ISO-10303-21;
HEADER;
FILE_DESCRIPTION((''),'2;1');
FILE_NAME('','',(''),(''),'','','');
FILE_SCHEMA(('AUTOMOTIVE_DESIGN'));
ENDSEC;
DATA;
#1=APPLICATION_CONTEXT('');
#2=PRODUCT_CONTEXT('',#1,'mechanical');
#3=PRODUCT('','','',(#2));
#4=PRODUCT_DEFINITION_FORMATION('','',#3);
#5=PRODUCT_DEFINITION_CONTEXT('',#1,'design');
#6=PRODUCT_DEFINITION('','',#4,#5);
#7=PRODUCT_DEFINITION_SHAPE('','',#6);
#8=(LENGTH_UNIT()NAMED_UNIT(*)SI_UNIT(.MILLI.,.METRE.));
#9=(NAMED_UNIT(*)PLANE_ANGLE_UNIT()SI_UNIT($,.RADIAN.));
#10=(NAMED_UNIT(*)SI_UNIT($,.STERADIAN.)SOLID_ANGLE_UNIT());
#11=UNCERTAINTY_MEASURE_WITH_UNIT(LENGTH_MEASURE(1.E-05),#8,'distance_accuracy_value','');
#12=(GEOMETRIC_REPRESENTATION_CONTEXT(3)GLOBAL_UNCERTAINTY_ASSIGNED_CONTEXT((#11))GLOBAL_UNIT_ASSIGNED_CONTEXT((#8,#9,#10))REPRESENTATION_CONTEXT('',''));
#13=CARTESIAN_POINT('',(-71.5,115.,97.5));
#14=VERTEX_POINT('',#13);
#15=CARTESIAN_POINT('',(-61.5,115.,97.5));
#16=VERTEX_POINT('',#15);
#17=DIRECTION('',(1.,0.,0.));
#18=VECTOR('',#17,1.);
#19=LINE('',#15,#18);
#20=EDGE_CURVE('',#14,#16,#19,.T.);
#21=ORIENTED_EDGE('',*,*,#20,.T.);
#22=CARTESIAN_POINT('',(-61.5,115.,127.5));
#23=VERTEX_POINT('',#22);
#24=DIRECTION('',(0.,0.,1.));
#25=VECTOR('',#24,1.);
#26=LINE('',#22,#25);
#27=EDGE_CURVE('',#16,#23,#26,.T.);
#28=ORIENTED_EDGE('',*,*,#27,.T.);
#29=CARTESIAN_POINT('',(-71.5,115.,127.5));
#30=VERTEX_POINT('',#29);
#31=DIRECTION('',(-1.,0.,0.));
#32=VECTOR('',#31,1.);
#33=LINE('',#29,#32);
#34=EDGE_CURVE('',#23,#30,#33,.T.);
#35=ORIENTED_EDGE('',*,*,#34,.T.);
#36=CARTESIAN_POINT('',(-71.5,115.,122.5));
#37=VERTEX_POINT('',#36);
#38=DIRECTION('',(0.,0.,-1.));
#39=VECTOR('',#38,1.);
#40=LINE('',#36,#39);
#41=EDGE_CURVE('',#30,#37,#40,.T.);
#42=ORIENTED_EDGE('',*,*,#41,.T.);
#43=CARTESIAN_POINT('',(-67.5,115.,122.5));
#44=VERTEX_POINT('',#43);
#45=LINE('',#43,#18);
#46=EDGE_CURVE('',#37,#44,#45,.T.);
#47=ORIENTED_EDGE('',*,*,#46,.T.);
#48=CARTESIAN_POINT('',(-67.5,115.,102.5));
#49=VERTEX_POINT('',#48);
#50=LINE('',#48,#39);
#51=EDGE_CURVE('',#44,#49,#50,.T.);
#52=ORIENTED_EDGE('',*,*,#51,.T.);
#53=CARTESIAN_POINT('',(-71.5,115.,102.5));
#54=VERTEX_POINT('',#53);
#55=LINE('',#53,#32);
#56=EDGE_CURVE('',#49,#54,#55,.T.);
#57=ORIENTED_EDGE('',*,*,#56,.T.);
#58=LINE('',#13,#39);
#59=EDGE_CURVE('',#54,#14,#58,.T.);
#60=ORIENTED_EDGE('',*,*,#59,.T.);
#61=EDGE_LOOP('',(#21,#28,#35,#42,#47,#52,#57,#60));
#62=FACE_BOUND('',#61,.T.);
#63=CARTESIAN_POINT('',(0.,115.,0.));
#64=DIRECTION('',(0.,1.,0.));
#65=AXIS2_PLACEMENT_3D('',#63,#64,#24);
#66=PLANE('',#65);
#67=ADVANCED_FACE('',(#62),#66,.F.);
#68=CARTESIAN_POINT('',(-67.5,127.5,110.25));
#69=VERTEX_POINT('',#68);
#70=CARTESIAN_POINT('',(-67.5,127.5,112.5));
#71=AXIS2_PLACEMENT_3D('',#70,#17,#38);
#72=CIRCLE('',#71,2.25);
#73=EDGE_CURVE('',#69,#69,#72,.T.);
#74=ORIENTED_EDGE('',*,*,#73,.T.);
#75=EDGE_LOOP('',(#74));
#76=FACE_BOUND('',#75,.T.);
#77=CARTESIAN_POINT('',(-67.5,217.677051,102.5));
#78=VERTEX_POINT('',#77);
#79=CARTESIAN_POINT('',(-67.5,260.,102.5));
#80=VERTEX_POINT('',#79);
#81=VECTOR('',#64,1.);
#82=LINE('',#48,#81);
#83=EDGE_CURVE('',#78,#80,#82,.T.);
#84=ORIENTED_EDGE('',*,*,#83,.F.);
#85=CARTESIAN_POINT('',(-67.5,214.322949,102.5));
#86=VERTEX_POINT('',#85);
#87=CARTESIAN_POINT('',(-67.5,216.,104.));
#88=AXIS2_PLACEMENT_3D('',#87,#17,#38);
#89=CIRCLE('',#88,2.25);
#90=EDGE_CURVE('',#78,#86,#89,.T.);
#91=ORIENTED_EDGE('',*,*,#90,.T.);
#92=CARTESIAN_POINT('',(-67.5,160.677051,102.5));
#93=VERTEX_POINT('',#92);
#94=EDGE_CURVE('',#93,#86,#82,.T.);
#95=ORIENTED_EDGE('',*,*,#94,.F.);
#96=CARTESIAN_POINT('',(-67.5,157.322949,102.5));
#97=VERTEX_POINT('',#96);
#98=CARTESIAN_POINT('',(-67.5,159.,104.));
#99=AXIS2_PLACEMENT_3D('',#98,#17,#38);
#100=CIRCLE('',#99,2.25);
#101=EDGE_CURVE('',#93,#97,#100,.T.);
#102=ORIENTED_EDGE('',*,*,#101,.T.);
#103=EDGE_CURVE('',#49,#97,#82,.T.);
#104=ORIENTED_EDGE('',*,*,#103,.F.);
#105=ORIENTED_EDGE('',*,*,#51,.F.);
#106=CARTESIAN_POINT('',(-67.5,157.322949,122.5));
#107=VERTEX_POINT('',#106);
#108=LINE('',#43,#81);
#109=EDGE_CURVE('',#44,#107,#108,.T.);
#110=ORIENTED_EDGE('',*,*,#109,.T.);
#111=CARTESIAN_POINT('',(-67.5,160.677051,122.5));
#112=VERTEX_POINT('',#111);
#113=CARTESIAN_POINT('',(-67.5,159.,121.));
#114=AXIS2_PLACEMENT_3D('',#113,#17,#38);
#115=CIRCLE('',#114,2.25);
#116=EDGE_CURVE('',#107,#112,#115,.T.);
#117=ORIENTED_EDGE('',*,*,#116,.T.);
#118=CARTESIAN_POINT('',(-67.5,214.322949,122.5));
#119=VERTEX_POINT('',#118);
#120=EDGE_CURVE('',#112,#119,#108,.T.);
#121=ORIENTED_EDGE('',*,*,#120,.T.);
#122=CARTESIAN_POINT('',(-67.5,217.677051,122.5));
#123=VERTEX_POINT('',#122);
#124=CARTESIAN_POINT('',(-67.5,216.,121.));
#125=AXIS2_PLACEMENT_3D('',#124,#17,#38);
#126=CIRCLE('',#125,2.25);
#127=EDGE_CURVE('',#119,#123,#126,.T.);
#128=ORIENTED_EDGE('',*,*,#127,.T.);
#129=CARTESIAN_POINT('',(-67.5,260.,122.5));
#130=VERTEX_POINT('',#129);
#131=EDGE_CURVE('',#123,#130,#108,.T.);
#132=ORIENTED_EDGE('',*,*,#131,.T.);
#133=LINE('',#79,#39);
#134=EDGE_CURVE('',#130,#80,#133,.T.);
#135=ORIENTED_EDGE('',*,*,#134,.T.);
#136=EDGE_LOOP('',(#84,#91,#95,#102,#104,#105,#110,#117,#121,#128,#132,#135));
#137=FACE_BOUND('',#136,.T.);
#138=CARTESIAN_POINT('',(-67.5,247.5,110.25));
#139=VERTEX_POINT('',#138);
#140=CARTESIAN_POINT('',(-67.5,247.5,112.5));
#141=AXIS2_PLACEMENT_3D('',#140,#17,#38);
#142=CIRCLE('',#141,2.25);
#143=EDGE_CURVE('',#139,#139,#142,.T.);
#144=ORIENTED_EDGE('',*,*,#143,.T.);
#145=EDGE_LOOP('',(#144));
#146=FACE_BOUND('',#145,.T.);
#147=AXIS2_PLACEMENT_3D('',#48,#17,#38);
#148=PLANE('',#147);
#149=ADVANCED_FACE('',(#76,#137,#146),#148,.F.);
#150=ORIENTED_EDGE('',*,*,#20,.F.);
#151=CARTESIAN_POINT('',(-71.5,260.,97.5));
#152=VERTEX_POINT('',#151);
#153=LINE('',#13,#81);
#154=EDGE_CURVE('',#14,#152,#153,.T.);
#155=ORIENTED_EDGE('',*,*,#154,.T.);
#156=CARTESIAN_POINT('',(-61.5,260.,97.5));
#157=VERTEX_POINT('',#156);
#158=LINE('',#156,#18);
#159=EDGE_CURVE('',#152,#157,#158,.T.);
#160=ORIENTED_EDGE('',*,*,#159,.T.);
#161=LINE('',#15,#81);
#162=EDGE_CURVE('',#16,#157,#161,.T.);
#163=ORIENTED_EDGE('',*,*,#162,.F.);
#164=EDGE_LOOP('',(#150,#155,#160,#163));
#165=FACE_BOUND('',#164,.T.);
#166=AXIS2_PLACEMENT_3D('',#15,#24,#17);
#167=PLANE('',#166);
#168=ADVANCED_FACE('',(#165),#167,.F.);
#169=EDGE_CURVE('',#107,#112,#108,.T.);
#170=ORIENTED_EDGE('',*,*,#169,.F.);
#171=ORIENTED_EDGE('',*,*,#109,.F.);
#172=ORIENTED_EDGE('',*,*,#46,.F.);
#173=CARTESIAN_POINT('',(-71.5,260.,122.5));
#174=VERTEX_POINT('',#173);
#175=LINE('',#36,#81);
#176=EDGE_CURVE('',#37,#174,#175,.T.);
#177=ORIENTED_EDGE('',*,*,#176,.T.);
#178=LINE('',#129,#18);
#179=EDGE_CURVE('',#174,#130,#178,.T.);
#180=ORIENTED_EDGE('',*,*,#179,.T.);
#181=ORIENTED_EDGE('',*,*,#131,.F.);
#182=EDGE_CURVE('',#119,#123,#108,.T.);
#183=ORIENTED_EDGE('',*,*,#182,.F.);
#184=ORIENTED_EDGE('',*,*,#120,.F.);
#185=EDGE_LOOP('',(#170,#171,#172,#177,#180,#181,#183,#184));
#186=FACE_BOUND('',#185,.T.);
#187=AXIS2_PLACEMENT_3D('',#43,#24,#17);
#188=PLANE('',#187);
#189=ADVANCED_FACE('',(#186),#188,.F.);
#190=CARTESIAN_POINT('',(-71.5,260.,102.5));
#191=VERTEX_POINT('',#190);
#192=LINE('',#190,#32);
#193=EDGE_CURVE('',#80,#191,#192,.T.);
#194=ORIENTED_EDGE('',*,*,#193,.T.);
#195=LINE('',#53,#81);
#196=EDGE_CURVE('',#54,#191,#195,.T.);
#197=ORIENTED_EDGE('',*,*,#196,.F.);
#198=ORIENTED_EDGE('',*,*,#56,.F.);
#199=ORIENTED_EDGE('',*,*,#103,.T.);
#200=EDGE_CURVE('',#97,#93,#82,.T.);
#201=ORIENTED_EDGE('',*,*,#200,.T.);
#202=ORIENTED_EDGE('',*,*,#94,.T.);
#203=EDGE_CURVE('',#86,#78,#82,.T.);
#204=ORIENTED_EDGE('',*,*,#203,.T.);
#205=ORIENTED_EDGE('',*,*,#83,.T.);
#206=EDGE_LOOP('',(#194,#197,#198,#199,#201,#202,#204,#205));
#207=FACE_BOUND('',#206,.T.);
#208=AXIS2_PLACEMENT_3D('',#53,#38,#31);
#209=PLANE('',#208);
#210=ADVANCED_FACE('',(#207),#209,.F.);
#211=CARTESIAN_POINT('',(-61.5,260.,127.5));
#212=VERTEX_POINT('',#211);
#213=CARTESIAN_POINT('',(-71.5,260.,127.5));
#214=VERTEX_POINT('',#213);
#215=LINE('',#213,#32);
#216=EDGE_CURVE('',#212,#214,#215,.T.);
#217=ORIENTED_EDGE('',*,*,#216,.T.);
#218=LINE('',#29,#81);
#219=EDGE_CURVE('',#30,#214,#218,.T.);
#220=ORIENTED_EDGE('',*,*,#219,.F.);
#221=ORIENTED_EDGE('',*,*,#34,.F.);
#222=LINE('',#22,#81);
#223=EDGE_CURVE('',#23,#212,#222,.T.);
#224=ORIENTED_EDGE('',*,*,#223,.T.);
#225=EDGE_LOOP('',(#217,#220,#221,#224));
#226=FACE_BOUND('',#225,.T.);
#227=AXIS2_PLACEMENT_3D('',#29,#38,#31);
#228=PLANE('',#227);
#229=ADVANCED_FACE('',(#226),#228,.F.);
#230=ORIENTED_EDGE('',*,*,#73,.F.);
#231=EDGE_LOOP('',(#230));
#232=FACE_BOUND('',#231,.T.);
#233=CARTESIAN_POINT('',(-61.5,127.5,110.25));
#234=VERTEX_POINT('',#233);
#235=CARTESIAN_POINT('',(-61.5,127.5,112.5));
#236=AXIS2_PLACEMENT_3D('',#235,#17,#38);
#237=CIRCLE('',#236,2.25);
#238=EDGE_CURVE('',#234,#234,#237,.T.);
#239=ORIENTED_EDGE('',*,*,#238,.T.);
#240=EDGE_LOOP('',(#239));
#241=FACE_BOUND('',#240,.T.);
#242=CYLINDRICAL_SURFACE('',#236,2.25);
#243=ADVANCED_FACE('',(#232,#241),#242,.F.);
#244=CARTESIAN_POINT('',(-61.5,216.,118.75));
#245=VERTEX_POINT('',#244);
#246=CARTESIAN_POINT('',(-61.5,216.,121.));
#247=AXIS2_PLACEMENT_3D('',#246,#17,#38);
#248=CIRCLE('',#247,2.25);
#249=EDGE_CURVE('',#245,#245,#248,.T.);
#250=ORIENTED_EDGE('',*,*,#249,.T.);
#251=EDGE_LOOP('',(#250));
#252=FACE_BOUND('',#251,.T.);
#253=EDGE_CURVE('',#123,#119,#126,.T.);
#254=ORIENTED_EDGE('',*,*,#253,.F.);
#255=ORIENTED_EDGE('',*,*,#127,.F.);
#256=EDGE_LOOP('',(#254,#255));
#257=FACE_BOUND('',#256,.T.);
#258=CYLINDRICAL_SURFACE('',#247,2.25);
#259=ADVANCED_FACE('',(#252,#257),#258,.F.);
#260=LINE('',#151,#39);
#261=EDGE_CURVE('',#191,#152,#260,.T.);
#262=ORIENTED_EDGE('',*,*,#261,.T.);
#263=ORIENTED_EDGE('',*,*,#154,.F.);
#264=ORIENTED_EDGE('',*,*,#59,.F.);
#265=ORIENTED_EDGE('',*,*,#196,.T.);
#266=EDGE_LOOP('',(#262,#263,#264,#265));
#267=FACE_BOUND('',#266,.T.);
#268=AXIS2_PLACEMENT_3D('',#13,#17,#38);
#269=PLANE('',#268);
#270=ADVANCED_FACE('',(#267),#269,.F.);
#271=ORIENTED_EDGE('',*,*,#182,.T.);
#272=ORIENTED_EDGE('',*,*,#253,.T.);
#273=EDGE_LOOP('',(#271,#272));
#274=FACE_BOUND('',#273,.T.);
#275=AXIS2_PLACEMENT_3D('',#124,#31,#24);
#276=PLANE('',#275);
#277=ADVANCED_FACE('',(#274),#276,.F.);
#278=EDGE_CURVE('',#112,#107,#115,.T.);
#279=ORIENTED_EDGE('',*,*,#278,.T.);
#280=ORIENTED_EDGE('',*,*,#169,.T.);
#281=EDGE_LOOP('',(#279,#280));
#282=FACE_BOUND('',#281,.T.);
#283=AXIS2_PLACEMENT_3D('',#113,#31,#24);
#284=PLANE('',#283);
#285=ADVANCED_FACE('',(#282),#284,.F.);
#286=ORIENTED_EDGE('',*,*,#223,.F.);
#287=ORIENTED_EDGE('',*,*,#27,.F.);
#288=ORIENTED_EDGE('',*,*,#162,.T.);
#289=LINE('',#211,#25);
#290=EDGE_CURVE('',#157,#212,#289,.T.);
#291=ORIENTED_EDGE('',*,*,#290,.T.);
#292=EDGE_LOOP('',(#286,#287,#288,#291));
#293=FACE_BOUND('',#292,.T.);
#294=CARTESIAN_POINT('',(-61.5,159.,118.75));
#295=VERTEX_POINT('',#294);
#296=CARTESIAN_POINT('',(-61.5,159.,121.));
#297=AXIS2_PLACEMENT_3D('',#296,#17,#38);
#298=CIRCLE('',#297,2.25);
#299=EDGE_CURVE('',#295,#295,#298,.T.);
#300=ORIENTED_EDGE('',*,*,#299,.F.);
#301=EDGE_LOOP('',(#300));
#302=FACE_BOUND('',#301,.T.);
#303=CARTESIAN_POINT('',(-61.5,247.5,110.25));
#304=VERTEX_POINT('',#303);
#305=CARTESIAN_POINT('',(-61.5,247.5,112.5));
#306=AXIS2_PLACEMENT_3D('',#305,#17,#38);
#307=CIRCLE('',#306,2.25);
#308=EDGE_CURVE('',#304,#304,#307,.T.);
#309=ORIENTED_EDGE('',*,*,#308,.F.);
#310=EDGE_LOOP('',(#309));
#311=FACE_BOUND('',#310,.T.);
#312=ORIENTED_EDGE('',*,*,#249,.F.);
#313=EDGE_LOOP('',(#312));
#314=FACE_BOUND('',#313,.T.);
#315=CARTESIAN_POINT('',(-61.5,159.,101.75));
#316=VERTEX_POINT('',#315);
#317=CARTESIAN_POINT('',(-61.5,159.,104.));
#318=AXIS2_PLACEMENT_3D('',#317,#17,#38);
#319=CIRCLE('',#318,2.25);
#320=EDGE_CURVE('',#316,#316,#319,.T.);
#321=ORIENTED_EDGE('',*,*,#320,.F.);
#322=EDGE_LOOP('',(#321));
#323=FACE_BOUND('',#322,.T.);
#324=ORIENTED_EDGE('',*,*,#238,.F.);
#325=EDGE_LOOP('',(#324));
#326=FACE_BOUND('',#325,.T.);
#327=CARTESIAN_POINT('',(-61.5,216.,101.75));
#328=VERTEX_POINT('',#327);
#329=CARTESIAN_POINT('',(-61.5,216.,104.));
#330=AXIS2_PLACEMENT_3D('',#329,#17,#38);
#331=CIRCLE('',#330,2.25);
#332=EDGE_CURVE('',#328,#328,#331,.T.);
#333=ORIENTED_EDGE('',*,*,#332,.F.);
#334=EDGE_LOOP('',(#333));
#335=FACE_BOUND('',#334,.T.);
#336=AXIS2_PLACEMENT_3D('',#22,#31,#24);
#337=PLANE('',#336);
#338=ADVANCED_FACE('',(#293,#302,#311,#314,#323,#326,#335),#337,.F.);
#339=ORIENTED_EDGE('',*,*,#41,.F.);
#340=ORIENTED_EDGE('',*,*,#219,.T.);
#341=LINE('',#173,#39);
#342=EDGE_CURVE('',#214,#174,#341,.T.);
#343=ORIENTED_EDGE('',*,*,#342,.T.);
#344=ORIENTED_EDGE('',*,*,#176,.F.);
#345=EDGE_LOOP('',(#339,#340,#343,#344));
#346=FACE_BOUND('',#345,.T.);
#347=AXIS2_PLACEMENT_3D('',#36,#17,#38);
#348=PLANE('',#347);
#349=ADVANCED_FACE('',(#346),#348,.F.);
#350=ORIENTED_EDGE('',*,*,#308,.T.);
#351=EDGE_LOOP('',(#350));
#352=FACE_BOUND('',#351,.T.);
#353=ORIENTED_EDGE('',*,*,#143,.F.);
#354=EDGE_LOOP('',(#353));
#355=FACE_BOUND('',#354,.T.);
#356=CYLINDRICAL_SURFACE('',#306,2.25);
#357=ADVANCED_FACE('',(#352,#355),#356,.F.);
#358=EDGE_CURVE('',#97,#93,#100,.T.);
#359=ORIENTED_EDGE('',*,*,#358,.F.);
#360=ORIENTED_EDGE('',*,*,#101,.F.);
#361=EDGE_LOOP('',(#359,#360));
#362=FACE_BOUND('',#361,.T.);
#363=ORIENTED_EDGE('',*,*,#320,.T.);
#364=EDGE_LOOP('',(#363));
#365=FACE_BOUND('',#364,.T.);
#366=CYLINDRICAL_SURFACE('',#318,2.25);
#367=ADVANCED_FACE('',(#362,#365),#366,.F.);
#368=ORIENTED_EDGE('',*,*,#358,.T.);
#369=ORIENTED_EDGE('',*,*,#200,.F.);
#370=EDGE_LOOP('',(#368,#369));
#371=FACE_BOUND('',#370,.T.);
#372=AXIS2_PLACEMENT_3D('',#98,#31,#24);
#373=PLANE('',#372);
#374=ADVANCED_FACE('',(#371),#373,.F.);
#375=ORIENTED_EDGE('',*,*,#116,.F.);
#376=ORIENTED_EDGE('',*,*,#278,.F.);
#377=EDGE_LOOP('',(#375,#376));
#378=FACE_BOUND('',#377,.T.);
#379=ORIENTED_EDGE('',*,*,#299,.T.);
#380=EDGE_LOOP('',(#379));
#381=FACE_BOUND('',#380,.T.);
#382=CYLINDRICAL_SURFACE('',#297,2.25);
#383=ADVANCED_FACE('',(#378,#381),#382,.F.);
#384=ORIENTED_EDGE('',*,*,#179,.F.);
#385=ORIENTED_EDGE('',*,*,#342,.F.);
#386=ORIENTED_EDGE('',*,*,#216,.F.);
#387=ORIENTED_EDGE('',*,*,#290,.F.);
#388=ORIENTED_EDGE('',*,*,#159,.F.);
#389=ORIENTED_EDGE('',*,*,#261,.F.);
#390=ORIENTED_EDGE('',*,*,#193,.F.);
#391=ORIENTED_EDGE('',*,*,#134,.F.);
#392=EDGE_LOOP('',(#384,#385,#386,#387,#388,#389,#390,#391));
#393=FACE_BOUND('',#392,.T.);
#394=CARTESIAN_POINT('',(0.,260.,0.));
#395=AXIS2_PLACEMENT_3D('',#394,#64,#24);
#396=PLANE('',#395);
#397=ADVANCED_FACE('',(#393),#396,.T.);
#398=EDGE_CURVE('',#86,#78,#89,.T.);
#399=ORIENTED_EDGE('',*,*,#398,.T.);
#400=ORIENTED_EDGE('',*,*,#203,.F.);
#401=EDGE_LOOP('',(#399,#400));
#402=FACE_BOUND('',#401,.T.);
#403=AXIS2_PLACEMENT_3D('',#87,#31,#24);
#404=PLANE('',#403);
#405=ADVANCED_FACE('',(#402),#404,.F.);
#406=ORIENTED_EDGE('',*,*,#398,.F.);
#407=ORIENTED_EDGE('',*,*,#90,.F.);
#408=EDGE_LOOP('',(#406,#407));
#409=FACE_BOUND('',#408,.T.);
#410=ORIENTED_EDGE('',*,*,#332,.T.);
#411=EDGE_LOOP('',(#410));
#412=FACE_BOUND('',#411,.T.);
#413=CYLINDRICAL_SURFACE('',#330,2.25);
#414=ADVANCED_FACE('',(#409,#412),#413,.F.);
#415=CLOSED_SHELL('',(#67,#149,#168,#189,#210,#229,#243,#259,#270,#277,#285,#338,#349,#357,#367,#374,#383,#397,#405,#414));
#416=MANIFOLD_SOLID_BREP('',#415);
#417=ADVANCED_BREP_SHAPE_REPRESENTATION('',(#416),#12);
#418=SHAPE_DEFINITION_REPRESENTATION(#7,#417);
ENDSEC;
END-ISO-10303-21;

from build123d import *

# Parameters (mm, degrees)
BOSS_EXTRUDE1_DEPTH  = 145
M4_CLEARANCE_HOLE1_D = 4.5
HOLE1_D              = 4.5
HOLE1_DEPTH          = 6


with BuildPart() as part:
    # Sketch1 → Boss-Extrude1 (new body)
    with BuildSketch(Plane(origin=(0, 260, 0), x_dir=(-1, 0, 0), z_dir=(0, -1, 0))):
        Polygon((71.5, -127.5), (61.5, -127.5), (61.5, -97.5), (71.5, -97.5), (71.5, -102.5), (67.5, -102.5), (67.5, -122.5), (71.5, -122.5), align=None)
    extrude(amount=BOSS_EXTRUDE1_DEPTH)

    # M4 Clearance Hole1 (through all)
    with Locations(Plane(origin=(-61.5, 0, 0), x_dir=(0, 0, -1), z_dir=(1, 0, 0))):
        with Locations((-112.5, 247.5), (-112.5, 127.5)):
            Hole(M4_CLEARANCE_HOLE1_D / 2)

    # Hole1
    with Locations(Plane(origin=(-61.5, 0, 0), x_dir=(0, 0, -1), z_dir=(1, 0, 0))):
        with Locations((-104, 216), (-121, 216), (-104, 159), (-121, 159)):
            Hole(HOLE1_D / 2, depth=HOLE1_DEPTH)


solid = part.part
